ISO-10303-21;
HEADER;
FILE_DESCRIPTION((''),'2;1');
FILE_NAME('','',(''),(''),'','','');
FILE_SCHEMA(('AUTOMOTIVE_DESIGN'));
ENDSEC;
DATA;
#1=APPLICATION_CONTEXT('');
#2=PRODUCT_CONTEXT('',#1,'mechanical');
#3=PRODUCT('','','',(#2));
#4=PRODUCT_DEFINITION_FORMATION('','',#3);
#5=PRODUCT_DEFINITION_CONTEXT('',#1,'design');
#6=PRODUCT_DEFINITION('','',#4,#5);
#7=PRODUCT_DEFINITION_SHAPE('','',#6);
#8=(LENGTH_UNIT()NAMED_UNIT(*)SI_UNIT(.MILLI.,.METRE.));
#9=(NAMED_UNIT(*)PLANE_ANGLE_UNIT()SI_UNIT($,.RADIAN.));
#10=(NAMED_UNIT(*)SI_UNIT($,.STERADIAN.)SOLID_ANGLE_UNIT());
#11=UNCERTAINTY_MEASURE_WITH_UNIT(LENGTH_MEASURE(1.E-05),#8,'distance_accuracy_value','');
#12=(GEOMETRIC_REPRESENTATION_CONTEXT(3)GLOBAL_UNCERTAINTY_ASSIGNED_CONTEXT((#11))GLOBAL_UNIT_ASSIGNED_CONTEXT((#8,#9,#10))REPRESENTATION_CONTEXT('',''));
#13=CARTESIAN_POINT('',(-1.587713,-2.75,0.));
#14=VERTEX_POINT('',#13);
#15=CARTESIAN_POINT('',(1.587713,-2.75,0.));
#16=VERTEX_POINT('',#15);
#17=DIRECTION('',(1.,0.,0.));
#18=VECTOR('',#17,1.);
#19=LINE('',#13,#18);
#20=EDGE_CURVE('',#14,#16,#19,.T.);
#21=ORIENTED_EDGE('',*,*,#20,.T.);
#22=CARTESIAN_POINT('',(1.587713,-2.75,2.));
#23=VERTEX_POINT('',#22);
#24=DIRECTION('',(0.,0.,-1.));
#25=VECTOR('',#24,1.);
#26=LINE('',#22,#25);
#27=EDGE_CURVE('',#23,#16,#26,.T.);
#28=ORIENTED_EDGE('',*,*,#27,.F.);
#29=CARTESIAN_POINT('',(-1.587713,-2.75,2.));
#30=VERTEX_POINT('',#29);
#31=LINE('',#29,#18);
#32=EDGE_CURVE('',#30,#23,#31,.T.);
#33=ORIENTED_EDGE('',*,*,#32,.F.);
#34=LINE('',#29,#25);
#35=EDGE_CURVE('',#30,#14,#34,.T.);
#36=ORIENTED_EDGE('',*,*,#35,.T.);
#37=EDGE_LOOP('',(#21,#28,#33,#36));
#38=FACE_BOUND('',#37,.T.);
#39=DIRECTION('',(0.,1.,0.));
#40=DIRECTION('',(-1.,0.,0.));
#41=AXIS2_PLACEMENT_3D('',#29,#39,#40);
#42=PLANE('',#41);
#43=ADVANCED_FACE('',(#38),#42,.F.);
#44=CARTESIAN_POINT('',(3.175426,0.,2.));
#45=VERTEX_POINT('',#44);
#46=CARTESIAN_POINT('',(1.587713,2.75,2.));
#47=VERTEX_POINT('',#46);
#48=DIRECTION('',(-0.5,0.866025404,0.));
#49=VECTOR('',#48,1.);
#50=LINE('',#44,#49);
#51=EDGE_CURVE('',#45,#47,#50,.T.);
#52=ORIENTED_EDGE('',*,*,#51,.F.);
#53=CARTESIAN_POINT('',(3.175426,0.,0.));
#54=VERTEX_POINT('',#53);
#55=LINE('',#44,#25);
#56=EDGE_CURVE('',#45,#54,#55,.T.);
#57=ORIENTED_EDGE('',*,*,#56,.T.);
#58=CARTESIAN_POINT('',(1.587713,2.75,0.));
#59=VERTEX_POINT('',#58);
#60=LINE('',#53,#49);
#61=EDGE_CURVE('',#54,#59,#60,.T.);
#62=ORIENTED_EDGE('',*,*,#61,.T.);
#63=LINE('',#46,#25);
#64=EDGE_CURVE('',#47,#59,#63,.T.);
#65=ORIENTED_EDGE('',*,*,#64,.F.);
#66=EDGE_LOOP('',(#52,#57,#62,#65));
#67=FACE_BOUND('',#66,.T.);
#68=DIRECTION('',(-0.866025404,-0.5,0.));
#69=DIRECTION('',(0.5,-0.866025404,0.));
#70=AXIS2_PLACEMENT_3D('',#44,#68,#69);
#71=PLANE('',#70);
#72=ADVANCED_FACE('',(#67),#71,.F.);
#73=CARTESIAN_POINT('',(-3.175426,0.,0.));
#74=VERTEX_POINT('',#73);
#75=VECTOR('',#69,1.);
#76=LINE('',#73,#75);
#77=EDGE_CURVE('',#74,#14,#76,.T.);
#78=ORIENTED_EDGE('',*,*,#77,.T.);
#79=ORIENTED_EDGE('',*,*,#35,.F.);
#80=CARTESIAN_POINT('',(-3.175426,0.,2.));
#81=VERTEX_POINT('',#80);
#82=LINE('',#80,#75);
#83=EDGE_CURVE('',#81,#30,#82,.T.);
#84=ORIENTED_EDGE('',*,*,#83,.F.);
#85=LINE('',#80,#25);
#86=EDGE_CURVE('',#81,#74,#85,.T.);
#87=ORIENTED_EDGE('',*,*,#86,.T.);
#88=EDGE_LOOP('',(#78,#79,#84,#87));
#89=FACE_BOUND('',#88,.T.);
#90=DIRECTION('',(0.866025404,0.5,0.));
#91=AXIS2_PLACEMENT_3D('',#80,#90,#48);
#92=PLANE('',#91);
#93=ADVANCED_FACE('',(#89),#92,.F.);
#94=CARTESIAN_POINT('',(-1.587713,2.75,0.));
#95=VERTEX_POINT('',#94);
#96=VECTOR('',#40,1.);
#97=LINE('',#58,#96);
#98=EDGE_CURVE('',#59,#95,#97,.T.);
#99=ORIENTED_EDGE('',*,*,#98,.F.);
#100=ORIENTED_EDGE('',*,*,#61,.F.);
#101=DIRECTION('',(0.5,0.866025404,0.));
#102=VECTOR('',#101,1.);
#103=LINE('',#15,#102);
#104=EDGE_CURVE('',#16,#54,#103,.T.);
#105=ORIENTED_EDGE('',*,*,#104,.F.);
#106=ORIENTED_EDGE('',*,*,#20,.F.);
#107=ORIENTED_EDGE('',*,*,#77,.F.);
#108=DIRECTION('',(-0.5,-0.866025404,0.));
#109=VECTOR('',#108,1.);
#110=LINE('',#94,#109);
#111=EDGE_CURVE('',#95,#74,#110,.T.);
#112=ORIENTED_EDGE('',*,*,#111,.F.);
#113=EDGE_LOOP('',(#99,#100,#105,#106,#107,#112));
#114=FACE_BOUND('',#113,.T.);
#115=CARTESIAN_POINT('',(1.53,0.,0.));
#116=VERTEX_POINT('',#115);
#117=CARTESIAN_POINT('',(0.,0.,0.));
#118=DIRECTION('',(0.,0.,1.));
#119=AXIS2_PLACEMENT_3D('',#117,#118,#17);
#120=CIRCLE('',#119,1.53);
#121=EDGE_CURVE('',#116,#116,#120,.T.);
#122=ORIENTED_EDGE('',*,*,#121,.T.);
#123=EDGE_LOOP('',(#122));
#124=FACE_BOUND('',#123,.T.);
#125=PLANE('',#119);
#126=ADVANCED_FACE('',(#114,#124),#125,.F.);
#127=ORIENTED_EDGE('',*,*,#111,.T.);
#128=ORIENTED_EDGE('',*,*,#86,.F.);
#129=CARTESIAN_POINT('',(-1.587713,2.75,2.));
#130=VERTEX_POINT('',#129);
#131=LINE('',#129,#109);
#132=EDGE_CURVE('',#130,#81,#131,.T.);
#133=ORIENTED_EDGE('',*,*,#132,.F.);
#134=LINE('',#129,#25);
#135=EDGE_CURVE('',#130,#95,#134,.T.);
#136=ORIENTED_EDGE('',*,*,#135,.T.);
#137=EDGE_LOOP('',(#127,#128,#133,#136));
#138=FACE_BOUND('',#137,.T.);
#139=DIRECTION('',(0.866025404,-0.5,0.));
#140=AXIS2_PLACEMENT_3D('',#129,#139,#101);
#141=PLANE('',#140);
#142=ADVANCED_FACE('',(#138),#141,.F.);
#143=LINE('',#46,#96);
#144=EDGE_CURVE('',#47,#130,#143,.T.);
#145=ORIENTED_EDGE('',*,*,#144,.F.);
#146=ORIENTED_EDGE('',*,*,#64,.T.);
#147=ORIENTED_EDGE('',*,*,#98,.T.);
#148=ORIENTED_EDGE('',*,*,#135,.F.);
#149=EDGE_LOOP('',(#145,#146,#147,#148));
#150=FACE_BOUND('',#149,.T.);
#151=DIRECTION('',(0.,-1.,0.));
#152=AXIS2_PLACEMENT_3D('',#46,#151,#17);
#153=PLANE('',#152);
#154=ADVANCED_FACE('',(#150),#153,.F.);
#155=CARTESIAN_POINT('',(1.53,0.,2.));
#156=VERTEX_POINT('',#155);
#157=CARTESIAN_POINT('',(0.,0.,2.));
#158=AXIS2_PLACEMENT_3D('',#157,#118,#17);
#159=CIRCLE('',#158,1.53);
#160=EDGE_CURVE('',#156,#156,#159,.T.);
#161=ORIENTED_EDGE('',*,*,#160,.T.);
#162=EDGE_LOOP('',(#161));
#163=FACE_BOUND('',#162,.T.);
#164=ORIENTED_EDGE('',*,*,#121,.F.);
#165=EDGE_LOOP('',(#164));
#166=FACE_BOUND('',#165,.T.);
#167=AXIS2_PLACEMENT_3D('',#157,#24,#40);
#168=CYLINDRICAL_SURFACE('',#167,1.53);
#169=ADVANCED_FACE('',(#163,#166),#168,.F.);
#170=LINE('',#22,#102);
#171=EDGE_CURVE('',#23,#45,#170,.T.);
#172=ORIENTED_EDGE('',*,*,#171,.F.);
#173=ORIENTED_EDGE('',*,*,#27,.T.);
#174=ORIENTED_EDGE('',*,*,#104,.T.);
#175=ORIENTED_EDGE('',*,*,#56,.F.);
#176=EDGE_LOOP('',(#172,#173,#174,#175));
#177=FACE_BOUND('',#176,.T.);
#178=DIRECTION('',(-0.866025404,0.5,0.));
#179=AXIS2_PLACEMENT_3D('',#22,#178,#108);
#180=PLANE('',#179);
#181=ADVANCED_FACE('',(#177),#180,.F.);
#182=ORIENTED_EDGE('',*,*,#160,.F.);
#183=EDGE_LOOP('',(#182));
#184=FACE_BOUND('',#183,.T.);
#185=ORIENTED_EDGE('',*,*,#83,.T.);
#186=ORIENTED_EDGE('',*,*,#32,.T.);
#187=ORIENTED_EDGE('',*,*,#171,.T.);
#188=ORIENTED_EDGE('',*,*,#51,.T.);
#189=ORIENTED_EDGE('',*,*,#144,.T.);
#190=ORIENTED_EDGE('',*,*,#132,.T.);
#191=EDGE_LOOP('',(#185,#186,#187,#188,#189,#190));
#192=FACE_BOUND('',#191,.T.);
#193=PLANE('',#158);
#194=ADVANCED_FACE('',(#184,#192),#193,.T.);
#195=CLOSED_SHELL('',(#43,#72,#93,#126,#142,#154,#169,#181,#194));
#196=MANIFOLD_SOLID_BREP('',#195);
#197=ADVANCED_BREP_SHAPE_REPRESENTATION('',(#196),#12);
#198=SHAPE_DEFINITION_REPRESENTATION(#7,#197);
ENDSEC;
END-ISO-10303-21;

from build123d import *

# Parameters (mm, degrees)
S01_SMALL_HEX_LOCKING_NUT_R      = 1.53
F_01_SMALL_HEX_LOCKING_NUT_DEPTH = 2


with BuildPart() as part:
    # S01 - Small hex locking nut → 01 - Small hex locking nut (new body)
    with BuildSketch(Plane.XY):
        Polygon((3.175426481, 0), (1.58771324, 2.75), (-1.58771324, 2.75), (-3.175426481, 0), (-1.58771324, -2.75), (1.58771324, -2.75), align=None)
        Circle(S01_SMALL_HEX_LOCKING_NUT_R, mode=Mode.SUBTRACT)
    extrude(amount=F_01_SMALL_HEX_LOCKING_NUT_DEPTH)


solid = part.part
